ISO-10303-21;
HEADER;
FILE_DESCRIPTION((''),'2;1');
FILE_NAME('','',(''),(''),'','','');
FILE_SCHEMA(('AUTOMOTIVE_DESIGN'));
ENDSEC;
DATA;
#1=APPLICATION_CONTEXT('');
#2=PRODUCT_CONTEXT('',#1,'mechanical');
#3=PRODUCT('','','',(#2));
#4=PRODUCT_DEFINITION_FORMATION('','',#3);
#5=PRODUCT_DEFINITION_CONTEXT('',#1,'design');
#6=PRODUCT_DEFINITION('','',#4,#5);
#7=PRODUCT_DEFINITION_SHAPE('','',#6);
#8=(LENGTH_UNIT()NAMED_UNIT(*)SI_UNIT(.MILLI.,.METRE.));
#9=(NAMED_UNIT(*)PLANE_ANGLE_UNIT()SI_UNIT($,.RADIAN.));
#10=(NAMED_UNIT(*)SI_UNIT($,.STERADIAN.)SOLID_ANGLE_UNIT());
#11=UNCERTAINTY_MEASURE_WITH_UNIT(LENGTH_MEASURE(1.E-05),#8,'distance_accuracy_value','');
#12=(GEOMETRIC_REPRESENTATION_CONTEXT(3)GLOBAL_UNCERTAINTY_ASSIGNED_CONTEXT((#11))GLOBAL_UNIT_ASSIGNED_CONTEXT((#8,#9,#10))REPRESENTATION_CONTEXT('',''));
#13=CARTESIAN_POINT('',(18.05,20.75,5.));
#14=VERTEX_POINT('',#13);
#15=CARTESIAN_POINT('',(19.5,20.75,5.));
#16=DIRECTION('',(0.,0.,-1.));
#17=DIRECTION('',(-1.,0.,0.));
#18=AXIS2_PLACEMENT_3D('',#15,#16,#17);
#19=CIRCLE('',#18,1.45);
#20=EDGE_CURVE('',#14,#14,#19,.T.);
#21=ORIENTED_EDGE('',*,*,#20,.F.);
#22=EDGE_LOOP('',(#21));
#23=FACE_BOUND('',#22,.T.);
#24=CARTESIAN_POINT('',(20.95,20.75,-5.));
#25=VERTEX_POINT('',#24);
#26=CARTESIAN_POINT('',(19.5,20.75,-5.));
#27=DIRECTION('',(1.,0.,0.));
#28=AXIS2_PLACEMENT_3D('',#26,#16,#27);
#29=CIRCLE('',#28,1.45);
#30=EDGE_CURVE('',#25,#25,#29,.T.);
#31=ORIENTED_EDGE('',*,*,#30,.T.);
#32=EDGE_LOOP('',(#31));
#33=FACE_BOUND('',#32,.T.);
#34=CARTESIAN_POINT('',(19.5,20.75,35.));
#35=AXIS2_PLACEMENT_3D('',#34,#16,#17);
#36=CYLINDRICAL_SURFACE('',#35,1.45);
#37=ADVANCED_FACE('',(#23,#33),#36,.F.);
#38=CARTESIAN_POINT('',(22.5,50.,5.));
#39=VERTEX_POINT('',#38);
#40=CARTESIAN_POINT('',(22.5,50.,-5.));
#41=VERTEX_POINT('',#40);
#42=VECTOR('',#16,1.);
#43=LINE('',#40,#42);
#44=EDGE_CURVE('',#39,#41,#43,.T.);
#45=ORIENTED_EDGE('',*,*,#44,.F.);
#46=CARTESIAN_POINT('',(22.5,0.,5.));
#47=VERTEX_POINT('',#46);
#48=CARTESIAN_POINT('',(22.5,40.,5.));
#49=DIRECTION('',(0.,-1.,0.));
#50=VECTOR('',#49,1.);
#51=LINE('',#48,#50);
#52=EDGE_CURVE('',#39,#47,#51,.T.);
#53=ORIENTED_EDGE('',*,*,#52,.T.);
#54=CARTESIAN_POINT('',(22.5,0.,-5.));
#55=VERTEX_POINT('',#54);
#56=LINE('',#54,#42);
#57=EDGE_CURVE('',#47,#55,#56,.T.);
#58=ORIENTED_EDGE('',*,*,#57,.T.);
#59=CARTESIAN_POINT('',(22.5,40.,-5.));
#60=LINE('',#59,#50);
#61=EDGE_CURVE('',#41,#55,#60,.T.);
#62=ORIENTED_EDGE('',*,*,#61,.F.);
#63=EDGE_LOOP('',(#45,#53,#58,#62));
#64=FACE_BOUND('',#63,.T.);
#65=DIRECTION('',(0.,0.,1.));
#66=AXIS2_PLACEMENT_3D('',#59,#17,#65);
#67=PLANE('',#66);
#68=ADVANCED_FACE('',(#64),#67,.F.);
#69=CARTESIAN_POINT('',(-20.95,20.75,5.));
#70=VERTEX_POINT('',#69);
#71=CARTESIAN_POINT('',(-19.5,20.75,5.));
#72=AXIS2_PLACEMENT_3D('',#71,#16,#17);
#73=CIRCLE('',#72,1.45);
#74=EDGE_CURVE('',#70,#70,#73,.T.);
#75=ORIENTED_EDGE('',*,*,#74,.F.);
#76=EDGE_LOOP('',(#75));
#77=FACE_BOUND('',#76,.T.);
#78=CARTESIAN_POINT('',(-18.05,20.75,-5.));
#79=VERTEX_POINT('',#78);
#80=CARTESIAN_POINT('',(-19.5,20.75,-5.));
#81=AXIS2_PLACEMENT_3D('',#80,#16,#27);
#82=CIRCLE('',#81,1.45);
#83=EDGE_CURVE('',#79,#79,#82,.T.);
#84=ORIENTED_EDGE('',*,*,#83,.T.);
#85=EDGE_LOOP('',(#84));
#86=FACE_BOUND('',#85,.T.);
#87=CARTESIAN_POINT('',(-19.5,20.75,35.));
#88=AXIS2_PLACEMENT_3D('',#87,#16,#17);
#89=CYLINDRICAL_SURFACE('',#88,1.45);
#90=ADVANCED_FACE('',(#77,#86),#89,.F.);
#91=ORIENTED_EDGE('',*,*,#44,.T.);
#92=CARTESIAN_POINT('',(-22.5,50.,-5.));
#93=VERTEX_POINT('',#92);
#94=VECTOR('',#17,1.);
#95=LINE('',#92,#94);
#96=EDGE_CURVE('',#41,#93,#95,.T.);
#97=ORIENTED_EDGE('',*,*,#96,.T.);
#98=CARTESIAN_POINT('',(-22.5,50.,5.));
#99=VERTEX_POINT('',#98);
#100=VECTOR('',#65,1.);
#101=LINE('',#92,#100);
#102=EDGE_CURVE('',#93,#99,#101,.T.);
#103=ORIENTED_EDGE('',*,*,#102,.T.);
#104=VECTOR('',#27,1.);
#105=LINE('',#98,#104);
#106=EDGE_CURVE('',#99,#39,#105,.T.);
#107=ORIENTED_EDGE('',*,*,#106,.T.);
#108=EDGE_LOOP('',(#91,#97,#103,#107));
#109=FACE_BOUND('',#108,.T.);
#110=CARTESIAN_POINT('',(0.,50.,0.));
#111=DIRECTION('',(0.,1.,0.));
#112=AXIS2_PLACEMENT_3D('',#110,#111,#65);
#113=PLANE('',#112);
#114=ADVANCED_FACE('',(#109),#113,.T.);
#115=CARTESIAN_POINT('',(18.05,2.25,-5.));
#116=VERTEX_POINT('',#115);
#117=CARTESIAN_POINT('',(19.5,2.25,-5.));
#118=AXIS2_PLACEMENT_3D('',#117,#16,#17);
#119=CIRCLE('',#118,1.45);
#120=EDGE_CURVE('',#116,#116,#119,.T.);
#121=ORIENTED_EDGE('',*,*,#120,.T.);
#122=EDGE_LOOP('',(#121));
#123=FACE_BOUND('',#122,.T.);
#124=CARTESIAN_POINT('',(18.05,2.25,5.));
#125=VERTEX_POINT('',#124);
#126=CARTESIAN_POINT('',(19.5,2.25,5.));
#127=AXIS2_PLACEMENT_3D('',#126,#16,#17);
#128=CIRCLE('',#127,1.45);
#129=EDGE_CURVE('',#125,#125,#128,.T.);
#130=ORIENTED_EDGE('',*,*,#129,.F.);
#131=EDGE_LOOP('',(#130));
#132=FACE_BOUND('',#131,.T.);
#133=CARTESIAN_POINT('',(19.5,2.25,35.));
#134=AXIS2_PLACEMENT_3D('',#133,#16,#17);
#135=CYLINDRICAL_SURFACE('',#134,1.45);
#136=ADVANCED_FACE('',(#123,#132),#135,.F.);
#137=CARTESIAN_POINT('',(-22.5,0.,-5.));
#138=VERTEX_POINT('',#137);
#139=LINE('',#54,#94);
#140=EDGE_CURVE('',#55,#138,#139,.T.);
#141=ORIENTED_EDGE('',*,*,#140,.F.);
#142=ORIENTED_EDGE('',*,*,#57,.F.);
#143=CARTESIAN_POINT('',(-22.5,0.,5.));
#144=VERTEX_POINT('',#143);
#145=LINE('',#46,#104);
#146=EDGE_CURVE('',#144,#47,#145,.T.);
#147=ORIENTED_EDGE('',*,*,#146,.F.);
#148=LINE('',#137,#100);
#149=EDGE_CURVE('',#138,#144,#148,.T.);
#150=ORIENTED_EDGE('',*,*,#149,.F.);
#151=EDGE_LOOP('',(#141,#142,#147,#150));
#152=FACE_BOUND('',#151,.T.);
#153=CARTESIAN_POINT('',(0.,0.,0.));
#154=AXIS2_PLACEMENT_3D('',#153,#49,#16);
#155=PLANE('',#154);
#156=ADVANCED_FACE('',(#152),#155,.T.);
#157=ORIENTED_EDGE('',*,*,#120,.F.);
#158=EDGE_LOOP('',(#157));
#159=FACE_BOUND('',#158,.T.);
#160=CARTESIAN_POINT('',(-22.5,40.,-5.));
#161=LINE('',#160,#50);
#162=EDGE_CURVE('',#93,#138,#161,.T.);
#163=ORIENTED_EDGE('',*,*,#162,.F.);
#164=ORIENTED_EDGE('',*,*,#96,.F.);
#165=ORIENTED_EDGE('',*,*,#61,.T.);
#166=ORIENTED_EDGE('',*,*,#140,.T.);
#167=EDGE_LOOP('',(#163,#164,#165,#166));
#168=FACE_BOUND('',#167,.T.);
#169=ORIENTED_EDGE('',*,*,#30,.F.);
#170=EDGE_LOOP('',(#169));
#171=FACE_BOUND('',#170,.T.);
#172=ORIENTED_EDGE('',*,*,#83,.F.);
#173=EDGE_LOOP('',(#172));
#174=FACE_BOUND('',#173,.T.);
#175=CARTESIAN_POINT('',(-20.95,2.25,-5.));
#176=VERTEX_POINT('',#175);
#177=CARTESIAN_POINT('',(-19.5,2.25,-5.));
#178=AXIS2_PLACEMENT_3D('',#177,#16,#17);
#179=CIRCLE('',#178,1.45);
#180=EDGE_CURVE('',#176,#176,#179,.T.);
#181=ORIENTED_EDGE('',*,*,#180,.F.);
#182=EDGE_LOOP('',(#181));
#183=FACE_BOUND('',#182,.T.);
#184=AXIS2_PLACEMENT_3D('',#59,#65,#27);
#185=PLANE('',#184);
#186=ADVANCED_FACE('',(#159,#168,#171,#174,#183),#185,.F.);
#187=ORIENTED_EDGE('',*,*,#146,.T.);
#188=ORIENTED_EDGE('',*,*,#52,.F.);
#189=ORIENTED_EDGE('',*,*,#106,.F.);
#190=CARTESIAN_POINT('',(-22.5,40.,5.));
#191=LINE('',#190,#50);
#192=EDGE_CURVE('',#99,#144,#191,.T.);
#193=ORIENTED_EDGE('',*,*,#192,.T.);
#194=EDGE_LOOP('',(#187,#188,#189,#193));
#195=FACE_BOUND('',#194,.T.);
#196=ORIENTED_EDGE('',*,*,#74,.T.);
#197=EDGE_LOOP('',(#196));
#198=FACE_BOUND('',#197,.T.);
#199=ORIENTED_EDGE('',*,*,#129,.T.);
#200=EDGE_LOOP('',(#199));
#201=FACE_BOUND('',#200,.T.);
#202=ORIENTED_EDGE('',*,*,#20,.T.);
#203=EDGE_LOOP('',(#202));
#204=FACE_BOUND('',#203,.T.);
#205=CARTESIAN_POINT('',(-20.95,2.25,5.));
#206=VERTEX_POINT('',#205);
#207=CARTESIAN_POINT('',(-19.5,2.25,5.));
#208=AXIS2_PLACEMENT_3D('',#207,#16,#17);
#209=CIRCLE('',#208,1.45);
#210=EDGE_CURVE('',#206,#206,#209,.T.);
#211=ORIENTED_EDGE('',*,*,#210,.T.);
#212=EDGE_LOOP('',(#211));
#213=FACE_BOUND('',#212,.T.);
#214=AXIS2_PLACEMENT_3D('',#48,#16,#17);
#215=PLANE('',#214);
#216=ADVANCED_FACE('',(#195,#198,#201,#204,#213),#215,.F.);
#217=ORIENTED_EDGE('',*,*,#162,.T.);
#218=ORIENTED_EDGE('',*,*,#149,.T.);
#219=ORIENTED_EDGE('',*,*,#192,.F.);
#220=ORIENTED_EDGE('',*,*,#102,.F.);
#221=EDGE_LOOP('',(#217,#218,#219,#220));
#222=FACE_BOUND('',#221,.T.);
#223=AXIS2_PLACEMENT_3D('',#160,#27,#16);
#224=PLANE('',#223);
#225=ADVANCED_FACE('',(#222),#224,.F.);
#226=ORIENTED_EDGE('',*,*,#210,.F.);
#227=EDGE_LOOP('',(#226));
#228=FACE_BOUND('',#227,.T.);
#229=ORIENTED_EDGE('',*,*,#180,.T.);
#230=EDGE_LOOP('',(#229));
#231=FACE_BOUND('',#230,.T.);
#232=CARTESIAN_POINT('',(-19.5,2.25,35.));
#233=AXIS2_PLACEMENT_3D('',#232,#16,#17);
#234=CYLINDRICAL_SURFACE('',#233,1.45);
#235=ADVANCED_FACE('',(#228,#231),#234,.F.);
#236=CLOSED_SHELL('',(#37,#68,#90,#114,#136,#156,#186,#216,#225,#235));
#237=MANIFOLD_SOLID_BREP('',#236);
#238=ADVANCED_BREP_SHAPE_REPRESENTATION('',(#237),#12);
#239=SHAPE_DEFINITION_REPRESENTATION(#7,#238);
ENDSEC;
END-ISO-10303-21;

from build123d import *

# Parameters (mm, degrees)
SKETCH2_W           = 45
SKETCH2_H           = 10
BOSS_EXTRUDE1_DEPTH = 40
SKETCH3_R           = 1.45
CUT_EXTRUDE1_DEPTH  = 40
SKETCH4_W           = 45
SKETCH4_H           = 10
BOSS_EXTRUDE2_DEPTH = 10


with BuildPart() as part:
    # Sketch2 → Boss-Extrude1 (new body)
    with BuildSketch(Plane(origin=(0, 0, 0), x_dir=(1, 0, 0), z_dir=(0, 1, 0))):
        Rectangle(SKETCH2_W, SKETCH2_H)
    extrude(amount=BOSS_EXTRUDE1_DEPTH)

    # Sketch3 → Cut-Extrude1 (cut)
    with BuildSketch(Plane(origin=(0, 0, -5), x_dir=(-1, 0, 0), z_dir=(0, 0, -1))):
        with Locations((19.5, 2.25)):
            Circle(SKETCH3_R)
        with Locations((-19.5, 2.25)):
            Circle(SKETCH3_R)
        with Locations((-19.5, 20.75)):
            Circle(SKETCH3_R)
        with Locations((19.5, 20.75)):
            Circle(SKETCH3_R)
    extrude(amount=-CUT_EXTRUDE1_DEPTH, mode=Mode.SUBTRACT)

    # Sketch4 → Boss-Extrude2 (add)
    with BuildSketch(Plane(origin=(0, 40, 0), x_dir=(1, 0, 0), z_dir=(0, 1, 0))):
        Rectangle(SKETCH4_W, SKETCH4_H)
    extrude(amount=BOSS_EXTRUDE2_DEPTH)


solid = part.part
